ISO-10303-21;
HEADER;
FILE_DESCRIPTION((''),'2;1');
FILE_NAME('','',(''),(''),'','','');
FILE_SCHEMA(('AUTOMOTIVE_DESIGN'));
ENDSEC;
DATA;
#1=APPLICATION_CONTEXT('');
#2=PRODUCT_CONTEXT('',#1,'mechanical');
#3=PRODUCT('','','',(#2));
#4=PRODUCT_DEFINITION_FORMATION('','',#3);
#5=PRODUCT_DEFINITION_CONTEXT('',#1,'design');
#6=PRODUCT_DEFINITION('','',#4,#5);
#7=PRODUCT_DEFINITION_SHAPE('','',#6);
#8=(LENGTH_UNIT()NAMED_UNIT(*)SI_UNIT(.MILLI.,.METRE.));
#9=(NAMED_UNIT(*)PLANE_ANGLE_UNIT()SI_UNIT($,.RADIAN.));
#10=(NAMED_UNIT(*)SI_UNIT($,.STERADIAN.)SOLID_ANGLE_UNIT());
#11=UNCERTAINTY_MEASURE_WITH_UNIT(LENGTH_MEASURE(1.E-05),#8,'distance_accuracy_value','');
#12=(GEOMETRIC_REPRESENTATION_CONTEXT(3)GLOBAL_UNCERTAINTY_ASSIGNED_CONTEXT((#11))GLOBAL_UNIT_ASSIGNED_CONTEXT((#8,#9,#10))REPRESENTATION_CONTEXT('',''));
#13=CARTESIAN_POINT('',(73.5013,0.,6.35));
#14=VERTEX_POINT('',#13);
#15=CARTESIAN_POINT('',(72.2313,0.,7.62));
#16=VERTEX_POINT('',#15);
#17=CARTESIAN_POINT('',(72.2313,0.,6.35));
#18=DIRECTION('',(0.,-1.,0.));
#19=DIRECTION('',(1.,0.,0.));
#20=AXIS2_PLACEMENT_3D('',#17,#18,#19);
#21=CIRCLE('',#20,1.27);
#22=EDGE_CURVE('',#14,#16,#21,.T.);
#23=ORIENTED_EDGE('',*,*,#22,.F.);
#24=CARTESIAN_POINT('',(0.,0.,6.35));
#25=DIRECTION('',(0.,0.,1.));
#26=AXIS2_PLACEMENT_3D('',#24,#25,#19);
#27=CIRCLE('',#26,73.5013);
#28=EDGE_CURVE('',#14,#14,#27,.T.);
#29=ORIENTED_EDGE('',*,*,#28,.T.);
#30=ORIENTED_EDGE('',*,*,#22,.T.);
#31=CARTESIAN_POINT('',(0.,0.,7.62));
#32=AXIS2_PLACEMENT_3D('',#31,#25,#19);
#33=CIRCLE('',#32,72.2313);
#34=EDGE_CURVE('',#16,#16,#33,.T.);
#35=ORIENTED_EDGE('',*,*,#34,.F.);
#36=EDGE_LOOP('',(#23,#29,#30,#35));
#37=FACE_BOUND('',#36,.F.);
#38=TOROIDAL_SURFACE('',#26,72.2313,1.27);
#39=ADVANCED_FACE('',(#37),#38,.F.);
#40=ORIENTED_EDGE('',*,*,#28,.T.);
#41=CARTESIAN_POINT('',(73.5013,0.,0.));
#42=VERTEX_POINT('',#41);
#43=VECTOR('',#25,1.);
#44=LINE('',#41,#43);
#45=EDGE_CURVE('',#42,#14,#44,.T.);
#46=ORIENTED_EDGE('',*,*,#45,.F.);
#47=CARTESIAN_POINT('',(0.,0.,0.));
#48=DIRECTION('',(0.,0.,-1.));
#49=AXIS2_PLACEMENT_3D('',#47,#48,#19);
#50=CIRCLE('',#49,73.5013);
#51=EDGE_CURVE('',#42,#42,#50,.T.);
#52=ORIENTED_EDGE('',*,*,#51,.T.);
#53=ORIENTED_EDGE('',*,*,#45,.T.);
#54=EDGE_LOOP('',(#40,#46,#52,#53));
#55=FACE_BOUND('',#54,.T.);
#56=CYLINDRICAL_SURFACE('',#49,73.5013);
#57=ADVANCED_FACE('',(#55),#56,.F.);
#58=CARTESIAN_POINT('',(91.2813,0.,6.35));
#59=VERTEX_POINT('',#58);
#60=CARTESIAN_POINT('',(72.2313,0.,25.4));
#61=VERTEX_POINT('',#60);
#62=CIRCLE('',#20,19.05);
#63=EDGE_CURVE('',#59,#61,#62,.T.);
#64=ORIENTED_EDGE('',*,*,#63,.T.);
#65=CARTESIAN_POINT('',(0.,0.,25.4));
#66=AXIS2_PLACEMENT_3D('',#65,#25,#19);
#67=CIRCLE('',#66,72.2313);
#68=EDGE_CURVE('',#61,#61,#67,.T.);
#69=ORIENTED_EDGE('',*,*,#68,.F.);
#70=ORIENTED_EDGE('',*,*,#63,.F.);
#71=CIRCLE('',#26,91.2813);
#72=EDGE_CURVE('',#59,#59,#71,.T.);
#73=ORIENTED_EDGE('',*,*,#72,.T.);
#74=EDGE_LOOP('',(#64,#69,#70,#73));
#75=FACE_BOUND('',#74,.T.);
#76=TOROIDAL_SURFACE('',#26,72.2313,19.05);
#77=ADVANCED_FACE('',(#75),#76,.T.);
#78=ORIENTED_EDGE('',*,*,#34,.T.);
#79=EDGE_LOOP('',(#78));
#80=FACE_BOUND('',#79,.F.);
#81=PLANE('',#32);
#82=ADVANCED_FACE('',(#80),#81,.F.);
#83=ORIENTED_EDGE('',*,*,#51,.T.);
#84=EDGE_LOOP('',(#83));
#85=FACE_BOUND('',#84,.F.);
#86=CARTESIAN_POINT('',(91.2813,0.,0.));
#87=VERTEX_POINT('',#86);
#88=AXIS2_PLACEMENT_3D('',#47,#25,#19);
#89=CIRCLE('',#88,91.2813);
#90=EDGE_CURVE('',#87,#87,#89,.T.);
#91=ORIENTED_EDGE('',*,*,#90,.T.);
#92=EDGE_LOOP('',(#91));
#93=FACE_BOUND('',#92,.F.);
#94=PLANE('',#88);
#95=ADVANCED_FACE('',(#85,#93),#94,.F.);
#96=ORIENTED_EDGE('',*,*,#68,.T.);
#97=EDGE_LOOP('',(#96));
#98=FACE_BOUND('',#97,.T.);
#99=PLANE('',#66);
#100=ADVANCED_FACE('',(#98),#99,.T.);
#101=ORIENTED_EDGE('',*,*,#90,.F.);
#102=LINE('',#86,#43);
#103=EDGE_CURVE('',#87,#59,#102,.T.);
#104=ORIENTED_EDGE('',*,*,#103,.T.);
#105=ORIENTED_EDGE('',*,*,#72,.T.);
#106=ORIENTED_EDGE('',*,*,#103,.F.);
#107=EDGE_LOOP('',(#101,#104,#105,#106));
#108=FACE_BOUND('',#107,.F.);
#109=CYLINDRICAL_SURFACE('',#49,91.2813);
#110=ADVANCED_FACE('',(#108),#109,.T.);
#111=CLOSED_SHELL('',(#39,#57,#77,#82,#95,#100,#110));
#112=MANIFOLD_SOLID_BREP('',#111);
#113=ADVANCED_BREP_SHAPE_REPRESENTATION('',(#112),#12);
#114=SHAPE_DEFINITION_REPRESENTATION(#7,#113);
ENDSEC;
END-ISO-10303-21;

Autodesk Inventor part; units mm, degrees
ref_plane "YZ Plane" through (0, 0, 0) normal (1, 0, 0) x (0, 1, 0)
ref_plane "XZ Plane" through (0, 0, 0) normal (0, 1, 0) x (-1, 0, 0)
ref_plane "XY Plane" through (0, 0, 0) normal (0, 0, 1) x (1, 0, 0)
sketch "Sketch1" plane through (0, 0, 0) normal (0, 0, 1) x (1, 0, 0)
  circle A0 centre (0, 0) radius 91.2813
  dimension "d0" = 182.5625
extrude "Extrusion1" add sketch "Sketch1" along normal blind 25.4
fillet "Fillet1" radius 19.05 1 edges at (-91.2813, 0, 25.4)
shell "Shell1" thickness 17.78 removed faces 1 at (21.5393, 24.1816, 0)
properties part number "speakerGrill"
